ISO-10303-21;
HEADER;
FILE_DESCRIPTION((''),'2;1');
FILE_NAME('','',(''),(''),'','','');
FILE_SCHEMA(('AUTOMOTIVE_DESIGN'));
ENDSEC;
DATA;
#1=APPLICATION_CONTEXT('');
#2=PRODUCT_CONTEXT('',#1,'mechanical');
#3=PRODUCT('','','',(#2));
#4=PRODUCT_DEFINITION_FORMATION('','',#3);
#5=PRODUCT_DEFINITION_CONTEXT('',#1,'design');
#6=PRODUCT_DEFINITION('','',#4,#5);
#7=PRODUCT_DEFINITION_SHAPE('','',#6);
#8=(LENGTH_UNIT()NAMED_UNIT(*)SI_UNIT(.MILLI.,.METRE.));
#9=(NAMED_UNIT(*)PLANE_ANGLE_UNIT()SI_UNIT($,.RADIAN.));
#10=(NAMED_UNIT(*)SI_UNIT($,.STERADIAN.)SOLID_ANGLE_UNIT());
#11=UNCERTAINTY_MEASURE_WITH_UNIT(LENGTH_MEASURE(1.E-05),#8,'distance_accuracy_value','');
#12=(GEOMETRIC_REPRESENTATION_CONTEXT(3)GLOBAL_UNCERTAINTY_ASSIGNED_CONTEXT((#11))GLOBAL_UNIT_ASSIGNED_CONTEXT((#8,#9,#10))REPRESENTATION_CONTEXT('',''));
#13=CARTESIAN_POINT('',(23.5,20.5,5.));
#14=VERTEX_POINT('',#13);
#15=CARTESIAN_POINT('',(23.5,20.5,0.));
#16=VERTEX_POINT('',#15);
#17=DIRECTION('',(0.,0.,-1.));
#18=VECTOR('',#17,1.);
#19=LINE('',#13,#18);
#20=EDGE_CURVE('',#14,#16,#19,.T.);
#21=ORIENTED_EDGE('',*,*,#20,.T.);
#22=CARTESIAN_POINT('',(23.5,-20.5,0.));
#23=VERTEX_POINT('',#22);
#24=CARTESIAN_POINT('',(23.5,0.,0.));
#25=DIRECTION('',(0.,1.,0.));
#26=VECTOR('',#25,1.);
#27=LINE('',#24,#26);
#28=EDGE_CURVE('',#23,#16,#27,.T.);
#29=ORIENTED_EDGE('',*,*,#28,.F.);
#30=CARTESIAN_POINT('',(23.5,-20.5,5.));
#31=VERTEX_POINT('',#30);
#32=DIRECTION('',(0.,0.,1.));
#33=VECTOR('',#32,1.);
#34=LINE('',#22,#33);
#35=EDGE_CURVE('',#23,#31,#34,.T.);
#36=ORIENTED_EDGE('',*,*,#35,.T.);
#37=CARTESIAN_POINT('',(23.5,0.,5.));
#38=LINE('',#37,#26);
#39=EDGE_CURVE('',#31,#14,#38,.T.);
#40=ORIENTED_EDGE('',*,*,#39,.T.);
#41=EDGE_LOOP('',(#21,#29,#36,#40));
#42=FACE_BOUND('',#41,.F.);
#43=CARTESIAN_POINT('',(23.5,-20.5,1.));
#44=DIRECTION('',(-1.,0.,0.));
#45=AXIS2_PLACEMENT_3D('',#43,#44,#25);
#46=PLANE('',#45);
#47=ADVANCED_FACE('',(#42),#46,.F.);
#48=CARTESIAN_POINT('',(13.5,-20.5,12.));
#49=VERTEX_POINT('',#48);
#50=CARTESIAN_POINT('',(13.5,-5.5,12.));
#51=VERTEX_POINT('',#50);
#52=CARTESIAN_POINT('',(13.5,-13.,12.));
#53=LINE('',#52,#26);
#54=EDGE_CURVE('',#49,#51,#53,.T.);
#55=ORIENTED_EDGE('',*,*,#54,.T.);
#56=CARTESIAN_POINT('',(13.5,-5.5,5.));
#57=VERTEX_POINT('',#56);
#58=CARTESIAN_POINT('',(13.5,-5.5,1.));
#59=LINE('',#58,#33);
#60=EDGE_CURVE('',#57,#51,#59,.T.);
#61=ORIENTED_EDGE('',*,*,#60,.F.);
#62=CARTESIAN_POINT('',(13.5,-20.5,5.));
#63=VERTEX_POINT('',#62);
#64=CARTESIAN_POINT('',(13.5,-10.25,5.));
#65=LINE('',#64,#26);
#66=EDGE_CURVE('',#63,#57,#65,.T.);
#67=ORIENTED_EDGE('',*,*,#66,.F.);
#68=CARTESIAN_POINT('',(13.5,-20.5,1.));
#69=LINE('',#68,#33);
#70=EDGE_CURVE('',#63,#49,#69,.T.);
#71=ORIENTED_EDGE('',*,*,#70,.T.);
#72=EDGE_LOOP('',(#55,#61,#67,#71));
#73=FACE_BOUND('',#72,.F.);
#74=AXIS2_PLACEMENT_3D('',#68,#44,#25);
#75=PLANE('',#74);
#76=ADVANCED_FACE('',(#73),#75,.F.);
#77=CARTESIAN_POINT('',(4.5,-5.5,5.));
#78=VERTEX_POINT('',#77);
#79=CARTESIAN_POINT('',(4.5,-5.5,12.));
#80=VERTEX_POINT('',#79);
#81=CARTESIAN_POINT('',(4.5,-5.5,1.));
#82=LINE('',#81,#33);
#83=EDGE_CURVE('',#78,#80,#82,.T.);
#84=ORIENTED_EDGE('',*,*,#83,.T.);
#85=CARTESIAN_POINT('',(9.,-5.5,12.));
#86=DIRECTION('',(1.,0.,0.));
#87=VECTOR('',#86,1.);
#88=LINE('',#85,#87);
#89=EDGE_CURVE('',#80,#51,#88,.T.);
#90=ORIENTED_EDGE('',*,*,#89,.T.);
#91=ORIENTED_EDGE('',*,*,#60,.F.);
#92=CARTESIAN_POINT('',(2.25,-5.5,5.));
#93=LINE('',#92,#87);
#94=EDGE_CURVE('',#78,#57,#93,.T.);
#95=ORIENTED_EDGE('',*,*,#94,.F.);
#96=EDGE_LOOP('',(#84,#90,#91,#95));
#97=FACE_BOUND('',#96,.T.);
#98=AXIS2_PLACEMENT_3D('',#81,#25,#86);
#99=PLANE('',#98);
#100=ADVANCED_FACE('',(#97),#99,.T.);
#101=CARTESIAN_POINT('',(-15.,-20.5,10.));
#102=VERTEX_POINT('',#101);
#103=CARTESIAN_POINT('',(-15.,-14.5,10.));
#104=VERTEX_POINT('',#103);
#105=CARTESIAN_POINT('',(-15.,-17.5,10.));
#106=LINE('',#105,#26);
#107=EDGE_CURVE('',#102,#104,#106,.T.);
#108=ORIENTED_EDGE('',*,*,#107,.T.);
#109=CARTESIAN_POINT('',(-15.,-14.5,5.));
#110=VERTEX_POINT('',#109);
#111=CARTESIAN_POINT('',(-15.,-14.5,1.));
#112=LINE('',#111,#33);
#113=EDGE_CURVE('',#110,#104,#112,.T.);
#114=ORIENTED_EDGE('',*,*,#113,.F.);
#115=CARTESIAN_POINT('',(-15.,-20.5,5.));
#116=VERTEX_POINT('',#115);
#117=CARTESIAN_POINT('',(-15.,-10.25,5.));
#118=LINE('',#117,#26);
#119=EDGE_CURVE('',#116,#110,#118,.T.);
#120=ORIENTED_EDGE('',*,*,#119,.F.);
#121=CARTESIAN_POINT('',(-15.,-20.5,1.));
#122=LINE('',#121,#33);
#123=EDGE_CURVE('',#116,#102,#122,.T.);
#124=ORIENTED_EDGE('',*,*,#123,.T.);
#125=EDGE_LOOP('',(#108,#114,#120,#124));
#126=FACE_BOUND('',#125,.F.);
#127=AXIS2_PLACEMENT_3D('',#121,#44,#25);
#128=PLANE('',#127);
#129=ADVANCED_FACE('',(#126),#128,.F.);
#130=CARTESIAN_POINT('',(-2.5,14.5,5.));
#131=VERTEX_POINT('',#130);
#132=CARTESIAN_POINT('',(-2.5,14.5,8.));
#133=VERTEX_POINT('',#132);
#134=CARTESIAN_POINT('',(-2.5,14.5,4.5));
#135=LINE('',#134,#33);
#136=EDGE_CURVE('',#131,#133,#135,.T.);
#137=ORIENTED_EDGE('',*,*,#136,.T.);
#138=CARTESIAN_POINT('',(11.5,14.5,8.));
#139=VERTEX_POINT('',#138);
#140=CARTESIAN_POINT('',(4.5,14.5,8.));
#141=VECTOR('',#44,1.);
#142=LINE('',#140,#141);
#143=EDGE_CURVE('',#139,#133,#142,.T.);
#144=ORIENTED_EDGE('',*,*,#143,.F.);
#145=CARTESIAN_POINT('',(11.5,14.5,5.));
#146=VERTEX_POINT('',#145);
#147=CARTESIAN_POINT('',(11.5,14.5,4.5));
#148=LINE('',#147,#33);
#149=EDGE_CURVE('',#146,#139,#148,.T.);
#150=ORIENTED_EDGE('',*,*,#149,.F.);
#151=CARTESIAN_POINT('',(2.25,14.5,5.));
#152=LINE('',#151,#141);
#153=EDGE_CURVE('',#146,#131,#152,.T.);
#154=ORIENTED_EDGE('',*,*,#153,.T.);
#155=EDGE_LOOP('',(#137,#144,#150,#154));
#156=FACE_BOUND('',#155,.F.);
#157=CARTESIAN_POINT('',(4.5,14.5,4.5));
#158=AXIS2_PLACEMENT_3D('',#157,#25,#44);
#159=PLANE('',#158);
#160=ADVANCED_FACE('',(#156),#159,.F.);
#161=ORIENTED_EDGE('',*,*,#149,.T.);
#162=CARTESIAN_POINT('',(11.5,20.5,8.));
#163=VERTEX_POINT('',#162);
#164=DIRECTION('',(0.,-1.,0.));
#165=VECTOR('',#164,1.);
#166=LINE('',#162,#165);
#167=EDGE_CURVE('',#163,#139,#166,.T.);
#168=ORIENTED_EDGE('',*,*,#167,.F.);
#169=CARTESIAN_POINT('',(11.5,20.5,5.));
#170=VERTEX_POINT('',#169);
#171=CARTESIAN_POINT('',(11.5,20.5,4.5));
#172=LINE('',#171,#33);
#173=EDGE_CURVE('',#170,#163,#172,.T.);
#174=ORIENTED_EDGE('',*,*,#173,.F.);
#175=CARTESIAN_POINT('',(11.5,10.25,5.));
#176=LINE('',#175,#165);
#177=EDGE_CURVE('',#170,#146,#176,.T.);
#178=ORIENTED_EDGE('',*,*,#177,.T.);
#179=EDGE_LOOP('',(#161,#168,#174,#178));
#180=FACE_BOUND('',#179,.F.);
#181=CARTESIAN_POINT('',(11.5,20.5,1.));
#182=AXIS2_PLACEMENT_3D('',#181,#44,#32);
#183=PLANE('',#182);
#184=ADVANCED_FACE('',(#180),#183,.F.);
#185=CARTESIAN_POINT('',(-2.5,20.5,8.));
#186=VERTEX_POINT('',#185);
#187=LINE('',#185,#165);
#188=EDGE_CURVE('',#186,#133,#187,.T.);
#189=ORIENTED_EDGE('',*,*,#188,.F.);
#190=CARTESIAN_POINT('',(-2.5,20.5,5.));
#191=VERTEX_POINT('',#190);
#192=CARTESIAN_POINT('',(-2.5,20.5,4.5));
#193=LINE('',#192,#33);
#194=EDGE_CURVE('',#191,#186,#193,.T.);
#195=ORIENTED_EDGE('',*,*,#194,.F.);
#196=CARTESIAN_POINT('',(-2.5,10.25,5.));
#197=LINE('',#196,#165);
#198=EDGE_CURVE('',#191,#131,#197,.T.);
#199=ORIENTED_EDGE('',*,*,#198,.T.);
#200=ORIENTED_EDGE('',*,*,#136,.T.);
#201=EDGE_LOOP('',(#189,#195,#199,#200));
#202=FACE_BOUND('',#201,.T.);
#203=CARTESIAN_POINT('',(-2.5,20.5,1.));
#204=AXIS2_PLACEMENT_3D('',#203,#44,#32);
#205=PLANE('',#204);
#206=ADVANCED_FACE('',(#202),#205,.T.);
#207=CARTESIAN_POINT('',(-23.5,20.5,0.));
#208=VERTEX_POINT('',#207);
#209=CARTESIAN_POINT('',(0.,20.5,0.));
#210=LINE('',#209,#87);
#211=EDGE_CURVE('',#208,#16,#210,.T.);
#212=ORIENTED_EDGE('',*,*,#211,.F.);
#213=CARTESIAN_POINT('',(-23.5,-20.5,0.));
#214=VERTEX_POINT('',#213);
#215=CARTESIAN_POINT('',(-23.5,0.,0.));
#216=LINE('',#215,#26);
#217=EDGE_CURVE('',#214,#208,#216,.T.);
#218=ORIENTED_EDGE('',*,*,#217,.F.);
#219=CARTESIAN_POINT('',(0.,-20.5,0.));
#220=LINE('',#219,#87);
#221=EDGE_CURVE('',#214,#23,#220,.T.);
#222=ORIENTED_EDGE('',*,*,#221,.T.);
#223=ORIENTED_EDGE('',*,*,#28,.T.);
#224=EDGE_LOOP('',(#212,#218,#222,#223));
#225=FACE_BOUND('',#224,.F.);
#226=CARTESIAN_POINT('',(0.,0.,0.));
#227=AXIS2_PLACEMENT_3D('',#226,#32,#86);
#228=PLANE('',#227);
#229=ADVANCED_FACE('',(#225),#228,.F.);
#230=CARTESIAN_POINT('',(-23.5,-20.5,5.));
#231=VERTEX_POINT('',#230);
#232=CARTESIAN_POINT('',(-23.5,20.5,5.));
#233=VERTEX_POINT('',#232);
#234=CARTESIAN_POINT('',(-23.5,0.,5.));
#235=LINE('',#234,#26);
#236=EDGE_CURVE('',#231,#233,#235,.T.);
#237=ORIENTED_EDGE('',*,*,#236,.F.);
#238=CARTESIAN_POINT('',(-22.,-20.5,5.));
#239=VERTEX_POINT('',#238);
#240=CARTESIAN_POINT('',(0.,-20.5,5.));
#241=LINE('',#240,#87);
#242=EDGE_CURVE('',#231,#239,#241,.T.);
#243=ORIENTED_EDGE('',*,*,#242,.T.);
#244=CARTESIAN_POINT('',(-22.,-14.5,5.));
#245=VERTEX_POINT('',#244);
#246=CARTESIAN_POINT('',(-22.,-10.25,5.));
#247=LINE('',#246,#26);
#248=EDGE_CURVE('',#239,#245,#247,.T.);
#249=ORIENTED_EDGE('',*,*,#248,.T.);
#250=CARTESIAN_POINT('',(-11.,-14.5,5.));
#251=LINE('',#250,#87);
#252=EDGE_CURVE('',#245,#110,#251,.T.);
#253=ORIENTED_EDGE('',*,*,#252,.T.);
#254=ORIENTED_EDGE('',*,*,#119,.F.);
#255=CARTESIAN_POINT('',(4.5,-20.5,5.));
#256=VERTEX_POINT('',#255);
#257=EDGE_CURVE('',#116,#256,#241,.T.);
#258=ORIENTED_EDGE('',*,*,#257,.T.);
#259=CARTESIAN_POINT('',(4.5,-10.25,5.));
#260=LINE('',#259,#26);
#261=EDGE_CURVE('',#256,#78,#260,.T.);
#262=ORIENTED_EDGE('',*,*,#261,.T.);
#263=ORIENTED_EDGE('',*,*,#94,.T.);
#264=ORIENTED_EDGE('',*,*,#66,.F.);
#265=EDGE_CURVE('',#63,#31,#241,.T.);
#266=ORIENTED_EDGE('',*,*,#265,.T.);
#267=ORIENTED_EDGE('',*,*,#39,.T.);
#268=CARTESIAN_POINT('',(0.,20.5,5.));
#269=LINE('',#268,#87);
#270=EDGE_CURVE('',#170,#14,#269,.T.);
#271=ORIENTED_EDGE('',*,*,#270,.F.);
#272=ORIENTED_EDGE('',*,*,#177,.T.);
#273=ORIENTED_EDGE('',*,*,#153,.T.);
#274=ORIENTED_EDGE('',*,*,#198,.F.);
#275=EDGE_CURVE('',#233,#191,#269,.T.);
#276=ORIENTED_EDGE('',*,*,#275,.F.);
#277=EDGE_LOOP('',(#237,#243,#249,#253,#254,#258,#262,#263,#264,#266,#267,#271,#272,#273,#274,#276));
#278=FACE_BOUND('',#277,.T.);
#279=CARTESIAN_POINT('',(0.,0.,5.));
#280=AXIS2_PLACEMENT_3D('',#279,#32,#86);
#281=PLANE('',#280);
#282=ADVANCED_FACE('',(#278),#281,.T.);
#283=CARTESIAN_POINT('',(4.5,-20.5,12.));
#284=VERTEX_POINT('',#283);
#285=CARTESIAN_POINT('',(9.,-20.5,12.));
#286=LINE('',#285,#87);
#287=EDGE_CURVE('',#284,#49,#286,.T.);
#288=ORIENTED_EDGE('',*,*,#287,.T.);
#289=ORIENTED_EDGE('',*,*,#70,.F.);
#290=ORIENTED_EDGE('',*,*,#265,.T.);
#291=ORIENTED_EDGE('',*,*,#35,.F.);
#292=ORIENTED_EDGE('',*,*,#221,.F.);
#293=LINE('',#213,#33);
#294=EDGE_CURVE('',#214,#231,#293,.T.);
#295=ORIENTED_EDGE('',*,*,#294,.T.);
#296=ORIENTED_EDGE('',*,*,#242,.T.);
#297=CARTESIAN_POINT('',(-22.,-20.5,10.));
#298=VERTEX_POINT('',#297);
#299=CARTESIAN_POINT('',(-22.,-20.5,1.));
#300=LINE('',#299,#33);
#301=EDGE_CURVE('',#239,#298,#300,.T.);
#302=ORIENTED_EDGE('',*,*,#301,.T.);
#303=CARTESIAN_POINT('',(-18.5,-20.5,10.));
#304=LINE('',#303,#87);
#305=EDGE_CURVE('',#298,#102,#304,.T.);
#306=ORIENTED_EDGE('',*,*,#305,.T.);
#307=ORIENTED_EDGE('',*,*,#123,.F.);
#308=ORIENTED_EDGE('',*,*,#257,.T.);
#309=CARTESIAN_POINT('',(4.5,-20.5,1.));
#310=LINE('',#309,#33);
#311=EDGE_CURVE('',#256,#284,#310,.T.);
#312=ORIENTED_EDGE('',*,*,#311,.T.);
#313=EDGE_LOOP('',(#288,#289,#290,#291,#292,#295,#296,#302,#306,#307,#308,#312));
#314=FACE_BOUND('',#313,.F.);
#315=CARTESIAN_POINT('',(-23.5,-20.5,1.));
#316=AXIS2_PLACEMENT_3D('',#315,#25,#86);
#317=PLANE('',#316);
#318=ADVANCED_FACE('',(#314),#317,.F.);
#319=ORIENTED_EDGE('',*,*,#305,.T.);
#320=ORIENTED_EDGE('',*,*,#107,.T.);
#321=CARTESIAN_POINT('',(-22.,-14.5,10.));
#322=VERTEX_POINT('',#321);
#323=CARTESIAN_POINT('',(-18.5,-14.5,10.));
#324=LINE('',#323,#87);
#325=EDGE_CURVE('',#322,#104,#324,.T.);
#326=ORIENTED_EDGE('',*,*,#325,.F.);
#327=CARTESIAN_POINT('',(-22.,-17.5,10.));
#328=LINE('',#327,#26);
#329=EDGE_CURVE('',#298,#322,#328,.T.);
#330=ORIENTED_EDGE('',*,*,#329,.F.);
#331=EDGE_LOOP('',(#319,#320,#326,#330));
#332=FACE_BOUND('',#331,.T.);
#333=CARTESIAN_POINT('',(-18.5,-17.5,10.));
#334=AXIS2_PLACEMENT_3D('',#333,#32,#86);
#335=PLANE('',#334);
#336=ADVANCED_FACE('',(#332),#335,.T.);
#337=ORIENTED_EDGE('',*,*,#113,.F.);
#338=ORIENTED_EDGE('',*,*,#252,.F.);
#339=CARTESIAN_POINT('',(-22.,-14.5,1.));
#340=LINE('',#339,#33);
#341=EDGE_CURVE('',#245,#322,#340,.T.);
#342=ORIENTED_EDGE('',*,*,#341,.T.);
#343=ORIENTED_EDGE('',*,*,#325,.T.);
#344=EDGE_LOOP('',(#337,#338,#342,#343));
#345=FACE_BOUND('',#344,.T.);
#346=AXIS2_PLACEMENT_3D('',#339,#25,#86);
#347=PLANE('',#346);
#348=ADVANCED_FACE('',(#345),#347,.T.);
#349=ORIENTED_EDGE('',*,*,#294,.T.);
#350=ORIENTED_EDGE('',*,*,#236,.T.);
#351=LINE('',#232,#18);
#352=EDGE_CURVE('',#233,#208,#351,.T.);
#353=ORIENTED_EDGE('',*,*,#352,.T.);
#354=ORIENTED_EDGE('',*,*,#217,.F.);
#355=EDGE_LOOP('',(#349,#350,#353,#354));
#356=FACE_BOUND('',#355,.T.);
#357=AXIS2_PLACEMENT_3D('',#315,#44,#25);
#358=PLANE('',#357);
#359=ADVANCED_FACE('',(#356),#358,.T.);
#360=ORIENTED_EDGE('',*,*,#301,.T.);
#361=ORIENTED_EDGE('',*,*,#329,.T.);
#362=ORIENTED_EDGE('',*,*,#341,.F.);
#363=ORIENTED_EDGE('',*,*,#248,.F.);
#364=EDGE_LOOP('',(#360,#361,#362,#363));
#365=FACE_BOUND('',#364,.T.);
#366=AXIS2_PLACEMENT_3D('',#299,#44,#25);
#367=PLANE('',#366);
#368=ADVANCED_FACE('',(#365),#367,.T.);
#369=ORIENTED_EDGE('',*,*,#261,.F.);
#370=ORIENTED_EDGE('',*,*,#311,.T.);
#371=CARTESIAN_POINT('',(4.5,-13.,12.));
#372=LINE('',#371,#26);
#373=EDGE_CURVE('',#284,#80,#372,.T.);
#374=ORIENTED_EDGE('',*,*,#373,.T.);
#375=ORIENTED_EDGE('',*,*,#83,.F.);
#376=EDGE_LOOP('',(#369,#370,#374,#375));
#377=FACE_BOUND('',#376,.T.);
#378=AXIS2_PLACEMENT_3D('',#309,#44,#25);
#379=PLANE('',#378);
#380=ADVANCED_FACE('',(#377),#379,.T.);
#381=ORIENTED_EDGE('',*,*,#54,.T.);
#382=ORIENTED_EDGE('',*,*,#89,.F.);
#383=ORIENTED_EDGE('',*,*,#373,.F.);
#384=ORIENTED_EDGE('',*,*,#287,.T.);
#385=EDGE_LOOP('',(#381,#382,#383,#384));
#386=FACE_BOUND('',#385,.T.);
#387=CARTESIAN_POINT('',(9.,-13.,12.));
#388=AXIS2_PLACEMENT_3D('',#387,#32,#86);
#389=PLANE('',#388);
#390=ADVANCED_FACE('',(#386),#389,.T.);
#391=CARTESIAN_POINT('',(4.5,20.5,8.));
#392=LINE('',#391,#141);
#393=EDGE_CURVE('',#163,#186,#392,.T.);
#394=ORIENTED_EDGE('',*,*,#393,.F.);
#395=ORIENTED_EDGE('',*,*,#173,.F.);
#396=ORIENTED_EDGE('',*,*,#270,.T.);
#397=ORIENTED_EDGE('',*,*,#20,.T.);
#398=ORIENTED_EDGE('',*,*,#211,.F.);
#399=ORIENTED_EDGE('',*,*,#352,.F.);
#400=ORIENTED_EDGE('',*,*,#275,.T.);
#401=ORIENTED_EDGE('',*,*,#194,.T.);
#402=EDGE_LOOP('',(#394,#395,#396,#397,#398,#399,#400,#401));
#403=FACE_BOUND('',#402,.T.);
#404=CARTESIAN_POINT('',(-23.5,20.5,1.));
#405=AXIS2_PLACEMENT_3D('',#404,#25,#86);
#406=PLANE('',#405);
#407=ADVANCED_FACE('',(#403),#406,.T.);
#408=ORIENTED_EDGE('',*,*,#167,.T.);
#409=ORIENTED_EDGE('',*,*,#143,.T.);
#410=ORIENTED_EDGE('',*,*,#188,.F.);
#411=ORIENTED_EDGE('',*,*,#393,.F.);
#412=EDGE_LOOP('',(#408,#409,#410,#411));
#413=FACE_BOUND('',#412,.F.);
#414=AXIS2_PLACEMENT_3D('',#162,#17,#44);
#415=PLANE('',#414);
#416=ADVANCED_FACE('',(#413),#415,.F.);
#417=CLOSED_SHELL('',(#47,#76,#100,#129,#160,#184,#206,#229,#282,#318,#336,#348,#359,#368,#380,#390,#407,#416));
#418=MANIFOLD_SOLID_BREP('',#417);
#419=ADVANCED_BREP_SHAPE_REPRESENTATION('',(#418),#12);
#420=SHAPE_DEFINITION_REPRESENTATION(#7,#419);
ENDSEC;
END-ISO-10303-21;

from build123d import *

# Parameters (mm, degrees)
SKETCH_W     = 47
SKETCH_H     = 41
PAD_DEPTH    = 1
SKETCH001_W  = 9
SKETCH001_H  = 15
PAD001_DEPTH = 11
SKETCH002_W  = 7
SKETCH002_H  = 6
PAD002_DEPTH = 9
SKETCH003_W  = 47
SKETCH003_H  = 41
PAD003_DEPTH = 4
SKETCH011_W  = 14
SKETCH011_H  = 7
PAD006_DEPTH = 6


with BuildPart() as part:
    # Sketch → Pad (new body)
    with BuildSketch(Plane.XY):
        Rectangle(SKETCH_W, SKETCH_H)
    extrude(amount=PAD_DEPTH)

    # Sketch001 (on Face6 of Pad) → Pad001 (join)
    with BuildSketch(Plane.XY.offset(1)):
        with Locations((9, -13)):
            Rectangle(SKETCH001_W, SKETCH001_H)
    extrude(amount=PAD001_DEPTH)

    # Sketch002 (on Face5 of Pad001) → Pad002 (join)
    with BuildSketch(Plane.XY.offset(1)):
        with Locations((-18.5, -17.5)):
            Rectangle(SKETCH002_W, SKETCH002_H)
    extrude(amount=PAD002_DEPTH)

    # Sketch003 (on Face5 of Pad002) → Pad003 (join)
    with BuildSketch(Plane.XY.offset(1)):
        Rectangle(SKETCH003_W, SKETCH003_H)
    extrude(amount=PAD003_DEPTH)

    # Sketch011 (on Face5 of Pad003) → Pad006 (join)
    with BuildSketch(Plane(origin=(0, 20.5, 0), x_dir=(-1, 0, 0), z_dir=(0, 1, 0))):
        with Locations((-4.5, 4.5)):
            Rectangle(SKETCH011_W, SKETCH011_H)
    extrude(amount=-PAD006_DEPTH)


solid = part.part
